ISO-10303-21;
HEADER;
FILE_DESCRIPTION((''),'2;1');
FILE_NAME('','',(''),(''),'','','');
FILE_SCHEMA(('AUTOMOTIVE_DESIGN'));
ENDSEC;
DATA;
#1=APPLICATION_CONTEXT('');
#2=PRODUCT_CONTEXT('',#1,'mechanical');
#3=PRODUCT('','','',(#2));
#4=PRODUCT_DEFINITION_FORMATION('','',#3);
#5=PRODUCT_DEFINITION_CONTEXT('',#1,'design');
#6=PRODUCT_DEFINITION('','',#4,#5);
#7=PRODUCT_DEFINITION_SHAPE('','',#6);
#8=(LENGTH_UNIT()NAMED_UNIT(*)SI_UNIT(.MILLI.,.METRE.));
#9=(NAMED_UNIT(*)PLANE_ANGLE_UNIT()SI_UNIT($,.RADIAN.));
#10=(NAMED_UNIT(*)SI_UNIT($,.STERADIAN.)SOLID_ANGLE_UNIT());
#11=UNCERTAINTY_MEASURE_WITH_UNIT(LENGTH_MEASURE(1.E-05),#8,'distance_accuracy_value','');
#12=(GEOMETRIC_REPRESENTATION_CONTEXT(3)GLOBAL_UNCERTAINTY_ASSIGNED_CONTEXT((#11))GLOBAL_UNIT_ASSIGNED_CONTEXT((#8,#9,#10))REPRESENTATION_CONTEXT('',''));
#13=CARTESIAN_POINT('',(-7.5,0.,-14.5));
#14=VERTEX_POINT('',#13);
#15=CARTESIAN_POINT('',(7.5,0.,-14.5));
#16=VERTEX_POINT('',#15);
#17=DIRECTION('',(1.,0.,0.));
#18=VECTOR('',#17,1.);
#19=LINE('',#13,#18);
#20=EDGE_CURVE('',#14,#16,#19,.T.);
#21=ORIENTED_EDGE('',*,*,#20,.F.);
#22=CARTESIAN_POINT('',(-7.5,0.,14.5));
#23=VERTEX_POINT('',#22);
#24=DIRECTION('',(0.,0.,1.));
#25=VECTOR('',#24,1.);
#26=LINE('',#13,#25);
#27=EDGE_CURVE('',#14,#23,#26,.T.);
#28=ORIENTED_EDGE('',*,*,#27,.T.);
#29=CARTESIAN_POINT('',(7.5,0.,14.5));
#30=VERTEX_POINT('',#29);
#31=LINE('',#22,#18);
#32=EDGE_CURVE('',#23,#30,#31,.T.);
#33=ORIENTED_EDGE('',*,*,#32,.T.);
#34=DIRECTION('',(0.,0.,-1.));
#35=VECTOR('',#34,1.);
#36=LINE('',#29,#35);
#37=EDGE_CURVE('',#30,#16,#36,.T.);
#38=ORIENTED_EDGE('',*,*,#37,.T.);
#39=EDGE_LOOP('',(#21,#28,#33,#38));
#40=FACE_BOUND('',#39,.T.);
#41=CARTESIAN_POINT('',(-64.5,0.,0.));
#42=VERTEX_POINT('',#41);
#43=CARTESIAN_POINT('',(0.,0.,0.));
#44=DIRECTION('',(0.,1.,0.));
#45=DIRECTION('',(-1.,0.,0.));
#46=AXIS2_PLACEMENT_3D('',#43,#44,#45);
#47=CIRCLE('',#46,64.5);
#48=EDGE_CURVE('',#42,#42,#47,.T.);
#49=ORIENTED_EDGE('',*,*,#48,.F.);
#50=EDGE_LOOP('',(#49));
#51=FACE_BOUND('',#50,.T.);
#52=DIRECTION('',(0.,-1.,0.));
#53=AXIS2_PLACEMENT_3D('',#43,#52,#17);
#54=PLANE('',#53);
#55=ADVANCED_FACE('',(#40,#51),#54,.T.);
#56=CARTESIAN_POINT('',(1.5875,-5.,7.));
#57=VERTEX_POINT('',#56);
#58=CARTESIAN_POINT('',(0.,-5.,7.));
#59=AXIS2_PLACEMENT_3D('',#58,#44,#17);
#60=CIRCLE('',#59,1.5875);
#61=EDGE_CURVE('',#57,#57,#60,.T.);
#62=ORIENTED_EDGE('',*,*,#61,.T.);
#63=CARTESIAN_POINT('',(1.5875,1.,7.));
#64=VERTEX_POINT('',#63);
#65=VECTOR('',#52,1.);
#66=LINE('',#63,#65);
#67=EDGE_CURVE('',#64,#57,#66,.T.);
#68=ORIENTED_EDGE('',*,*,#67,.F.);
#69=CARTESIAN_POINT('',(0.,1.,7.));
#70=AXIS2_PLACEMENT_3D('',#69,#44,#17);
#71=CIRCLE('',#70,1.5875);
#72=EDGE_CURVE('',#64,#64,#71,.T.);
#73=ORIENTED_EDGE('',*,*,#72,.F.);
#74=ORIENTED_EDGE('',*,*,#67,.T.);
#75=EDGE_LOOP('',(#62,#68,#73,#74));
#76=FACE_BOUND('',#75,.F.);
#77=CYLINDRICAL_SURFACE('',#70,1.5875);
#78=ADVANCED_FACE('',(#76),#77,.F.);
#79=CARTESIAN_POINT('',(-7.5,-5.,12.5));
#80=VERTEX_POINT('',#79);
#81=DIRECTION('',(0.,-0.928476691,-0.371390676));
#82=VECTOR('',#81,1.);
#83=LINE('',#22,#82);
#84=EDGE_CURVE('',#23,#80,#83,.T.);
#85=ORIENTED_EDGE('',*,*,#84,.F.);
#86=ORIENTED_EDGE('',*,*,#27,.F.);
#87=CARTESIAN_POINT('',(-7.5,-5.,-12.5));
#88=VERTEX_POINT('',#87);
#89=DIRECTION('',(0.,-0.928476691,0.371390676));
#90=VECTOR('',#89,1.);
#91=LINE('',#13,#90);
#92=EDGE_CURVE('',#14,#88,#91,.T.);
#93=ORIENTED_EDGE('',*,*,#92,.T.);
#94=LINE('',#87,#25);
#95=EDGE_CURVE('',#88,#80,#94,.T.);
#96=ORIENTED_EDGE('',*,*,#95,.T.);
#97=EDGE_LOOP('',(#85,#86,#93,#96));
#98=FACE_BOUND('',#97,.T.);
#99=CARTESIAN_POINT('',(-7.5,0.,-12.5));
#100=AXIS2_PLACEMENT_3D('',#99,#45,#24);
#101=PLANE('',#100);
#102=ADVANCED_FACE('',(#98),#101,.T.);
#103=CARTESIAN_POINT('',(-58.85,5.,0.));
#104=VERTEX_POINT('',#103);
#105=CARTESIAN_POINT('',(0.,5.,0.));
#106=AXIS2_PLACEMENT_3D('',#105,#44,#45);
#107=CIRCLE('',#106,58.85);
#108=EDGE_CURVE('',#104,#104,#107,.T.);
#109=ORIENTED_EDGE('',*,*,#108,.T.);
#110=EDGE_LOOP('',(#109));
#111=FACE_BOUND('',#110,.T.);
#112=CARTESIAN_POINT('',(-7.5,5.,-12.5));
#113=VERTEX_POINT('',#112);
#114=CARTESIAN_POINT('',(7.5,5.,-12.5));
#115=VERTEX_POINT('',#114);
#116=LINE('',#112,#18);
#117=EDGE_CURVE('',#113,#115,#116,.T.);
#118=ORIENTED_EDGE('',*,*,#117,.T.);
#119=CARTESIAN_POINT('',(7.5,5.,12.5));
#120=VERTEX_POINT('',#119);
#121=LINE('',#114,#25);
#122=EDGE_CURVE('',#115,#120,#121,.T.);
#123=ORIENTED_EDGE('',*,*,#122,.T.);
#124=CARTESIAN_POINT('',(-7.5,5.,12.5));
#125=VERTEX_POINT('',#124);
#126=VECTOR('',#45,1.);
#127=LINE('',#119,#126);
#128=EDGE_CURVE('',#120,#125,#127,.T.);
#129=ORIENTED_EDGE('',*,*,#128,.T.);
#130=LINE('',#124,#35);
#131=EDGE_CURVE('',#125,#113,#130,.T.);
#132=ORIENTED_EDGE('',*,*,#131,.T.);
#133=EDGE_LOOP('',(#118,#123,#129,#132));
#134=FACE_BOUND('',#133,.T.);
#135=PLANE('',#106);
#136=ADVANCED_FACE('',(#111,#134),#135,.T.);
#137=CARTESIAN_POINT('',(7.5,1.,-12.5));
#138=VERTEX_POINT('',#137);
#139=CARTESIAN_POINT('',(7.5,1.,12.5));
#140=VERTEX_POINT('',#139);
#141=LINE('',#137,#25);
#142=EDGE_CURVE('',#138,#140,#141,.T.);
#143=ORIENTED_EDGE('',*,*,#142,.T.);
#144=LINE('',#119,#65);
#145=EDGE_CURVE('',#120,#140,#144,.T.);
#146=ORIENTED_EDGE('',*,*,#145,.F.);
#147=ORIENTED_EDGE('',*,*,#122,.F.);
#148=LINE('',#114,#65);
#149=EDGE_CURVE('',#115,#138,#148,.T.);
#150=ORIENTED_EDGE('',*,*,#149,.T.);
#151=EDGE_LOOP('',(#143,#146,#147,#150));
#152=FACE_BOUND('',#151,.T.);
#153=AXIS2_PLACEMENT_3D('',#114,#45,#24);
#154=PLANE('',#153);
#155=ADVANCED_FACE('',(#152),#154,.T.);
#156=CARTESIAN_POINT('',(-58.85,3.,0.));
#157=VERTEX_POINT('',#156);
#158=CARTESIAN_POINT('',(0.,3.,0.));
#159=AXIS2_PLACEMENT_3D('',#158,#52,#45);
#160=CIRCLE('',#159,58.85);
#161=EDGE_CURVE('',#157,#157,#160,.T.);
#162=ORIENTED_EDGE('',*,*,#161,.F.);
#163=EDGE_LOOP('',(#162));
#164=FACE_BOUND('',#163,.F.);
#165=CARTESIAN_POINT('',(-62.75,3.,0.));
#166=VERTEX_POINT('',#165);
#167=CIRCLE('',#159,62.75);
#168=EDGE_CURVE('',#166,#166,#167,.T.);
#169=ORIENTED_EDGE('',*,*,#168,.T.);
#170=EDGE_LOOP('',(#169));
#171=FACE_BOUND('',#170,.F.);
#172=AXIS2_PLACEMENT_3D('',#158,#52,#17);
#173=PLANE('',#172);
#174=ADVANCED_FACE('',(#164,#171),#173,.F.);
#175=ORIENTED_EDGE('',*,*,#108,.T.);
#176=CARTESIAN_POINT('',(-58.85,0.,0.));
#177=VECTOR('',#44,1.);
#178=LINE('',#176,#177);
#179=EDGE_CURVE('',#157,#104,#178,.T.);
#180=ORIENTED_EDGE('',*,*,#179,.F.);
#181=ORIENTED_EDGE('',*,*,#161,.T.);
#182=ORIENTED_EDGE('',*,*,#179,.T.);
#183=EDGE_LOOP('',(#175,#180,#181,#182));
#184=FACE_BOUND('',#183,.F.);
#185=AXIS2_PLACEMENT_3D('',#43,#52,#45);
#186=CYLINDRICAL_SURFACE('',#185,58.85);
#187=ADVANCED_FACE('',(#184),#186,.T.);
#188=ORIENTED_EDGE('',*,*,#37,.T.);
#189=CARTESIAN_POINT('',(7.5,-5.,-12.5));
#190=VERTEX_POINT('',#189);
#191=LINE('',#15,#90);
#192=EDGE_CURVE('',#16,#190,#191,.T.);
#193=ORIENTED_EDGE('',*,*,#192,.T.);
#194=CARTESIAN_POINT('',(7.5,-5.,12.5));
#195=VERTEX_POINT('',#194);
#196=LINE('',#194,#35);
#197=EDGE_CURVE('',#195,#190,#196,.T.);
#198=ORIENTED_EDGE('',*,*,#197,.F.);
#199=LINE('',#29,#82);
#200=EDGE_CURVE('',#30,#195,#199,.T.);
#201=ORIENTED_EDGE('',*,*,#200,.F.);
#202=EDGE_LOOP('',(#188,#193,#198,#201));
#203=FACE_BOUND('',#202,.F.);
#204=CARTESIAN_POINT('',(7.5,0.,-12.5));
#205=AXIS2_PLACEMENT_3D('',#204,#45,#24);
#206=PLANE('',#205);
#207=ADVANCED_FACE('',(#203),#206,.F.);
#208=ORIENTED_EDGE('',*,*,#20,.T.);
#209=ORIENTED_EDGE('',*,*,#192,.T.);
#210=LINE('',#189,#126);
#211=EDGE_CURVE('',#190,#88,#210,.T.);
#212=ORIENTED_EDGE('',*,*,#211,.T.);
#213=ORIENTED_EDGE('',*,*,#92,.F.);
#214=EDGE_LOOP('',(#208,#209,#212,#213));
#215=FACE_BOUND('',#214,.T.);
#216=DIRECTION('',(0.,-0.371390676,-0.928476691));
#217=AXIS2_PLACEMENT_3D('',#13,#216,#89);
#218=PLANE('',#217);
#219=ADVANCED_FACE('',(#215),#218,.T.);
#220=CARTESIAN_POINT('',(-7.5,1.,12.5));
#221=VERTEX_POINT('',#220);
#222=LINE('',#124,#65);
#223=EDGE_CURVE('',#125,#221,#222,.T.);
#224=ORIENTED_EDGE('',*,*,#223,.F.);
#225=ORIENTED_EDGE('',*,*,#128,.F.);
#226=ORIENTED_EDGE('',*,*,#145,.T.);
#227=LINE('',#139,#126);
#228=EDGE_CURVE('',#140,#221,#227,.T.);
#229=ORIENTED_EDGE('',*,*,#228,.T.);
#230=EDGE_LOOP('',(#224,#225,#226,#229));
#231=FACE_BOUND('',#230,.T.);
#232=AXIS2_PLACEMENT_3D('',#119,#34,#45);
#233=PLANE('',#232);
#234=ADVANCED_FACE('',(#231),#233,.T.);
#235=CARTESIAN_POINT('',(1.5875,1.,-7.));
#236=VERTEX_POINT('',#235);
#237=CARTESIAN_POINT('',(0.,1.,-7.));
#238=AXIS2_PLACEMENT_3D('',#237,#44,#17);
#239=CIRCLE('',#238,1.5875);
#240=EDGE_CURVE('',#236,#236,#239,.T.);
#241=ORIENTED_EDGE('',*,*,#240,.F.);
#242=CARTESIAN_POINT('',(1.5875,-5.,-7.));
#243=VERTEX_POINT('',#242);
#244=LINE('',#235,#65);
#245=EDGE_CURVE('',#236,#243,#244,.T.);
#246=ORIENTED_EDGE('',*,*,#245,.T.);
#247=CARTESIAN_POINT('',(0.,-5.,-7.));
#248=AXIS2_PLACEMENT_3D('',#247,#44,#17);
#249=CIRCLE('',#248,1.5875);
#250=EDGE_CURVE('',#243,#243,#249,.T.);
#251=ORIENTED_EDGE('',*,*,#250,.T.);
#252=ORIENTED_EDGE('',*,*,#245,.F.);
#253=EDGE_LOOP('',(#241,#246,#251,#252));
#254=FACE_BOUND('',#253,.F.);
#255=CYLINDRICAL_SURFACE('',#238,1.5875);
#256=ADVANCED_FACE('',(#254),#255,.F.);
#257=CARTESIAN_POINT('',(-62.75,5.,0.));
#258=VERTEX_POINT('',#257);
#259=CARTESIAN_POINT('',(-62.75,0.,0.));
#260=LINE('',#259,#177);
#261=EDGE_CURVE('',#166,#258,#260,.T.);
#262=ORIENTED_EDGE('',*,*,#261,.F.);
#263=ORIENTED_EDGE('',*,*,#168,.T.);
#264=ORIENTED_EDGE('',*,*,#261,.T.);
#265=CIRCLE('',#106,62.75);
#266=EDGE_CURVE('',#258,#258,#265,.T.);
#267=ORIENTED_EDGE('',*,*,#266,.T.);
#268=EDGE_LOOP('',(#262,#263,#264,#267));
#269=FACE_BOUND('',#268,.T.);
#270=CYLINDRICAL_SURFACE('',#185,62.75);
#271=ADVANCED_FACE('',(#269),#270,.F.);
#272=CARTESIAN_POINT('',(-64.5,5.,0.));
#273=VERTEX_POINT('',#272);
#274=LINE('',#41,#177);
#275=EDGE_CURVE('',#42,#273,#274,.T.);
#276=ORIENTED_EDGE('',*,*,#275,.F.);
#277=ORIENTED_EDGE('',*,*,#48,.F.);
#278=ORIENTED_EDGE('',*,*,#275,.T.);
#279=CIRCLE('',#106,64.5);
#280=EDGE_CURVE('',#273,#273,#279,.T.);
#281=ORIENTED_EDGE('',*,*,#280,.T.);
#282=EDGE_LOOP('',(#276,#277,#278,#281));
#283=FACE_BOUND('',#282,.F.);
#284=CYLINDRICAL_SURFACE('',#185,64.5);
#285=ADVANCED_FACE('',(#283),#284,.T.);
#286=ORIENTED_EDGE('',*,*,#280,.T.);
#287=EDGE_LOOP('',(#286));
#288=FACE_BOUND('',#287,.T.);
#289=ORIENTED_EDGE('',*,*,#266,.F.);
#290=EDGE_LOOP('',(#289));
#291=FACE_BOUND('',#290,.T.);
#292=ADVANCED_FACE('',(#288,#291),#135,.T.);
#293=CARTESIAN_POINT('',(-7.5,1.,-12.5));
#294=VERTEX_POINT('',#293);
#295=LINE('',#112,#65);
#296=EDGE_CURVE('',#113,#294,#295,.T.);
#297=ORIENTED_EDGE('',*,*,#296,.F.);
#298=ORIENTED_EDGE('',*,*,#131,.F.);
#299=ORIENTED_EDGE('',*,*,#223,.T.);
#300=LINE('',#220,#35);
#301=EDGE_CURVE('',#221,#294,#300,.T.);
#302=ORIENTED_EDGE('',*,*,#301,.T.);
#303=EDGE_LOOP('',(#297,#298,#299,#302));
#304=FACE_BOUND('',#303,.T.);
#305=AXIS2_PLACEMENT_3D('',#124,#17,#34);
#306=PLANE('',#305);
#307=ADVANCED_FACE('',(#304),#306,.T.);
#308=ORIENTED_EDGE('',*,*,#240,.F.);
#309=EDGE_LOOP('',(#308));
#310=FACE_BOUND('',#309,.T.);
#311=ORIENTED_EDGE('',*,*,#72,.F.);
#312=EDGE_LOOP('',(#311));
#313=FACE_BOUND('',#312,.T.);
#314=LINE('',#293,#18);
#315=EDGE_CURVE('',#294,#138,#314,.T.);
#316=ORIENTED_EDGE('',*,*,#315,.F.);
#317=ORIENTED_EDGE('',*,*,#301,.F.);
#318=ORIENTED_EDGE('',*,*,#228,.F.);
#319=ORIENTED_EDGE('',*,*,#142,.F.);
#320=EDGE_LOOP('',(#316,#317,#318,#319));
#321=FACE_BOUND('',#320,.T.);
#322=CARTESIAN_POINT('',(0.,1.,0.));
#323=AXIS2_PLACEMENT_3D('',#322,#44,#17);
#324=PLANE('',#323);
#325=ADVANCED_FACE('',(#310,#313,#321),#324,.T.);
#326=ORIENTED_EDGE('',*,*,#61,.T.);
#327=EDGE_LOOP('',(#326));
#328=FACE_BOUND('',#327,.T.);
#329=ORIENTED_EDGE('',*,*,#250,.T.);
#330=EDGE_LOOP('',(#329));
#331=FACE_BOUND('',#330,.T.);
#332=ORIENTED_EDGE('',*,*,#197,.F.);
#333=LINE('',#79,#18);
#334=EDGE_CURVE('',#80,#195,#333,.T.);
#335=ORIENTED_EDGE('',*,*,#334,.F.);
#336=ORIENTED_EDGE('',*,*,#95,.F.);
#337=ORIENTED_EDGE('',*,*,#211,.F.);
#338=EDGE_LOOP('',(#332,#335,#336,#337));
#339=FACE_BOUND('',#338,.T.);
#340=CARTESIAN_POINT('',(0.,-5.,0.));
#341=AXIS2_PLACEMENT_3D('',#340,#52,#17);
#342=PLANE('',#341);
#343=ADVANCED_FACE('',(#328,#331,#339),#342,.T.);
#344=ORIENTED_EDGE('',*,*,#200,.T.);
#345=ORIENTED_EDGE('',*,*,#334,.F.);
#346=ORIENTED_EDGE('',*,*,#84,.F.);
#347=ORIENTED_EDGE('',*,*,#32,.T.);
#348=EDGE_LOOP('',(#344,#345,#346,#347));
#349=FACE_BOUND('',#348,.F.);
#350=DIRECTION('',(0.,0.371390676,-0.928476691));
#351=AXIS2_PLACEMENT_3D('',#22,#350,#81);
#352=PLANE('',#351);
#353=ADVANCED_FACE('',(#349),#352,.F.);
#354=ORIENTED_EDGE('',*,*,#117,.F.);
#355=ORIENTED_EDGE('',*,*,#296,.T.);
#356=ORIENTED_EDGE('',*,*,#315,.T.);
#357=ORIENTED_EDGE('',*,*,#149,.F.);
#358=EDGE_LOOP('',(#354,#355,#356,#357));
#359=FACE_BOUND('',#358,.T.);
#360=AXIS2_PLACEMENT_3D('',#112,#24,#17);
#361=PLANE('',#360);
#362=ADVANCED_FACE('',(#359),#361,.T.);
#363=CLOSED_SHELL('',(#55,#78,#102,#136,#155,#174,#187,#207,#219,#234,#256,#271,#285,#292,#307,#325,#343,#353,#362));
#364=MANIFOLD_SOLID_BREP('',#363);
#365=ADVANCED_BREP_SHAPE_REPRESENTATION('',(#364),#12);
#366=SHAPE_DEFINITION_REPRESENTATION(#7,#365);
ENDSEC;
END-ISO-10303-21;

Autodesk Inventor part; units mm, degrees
ref_plane "YZ Plane" through (0, 0, 0) normal (1, 0, 0) x (0, 1, 0)
ref_plane "XZ Plane" through (0, 0, 0) normal (0, 1, 0) x (-1, 0, 0)
ref_plane "XY Plane" through (0, 0, 0) normal (0, 0, 1) x (1, 0, 0)
sketch "Boceto1" plane through (0, 0, 0) normal (0, 1, 0) x (-1, 0, 0)
  circle A0 centre (0, 0) radius 62.75
  circle A1 centre (0, 0) radius 64.5
  circle A2 centre (0, 0) radius 58.85
  circle A3 centre (0, 0) radius 62.75
  circle A4 centre (0, 0) radius 58.85
  dimension "d0" = 125.5
  dimension "d1" = 129
  dimension "d2" = 117.7
extrude "Extrusión1" add sketch "Boceto1" along normal blind 5
sketch "Boceto3" plane through (0, 0, 0) normal (0, -1, 0) x (1, 0, 0)
  circle A0 centre (0, 0) radius 58.85
  circle A1 centre (0, 0) radius 62.75
extrude "Extrusión2" add sketch "Boceto3" against normal blind 3
sketch "Boceto4" plane through (0, 0, 0) normal (0, -1, 0) x (1, 0, 0)
  line L0 (-7.5, 12.5) -> (7.5, 12.5)
  line L1 (7.5, 12.5) -> (7.5, -12.5)
  line L2 (7.5, -12.5) -> (-7.5, -12.5)
  line L3 (-7.5, -12.5) -> (-7.5, 12.5)
  line L4 (-7.5, 12.5) -> (7.5, -12.5) construction
  line L5 (7.5, 12.5) -> (-7.5, -12.5) construction
  point P0 (0, 0)
  dimension "d7" = 15
  dimension "d8" = 25
extrude "Extrusión3" add sketch "Boceto4" along normal blind 5
sketch "Boceto5" plane through (-7.5, 0, -12.5) normal (-1, 0, 0) x (0, 0, 1)
  line L0 (0, -5) -> (25, -5) projected
  line L1 (25, -5) -> (25, 0)
  line L2 (25, 0) -> (27, 0)
  line L3 (77, 0) -> (-52, 0) projected
  line L4 (27, 0) -> (25, -5)
  line L5 (0, 0) -> (-2, 0)
  line L6 (-2, 0) -> (0, -5)
  line L7 (0, 0) -> (0, -5)
  point P0 (12.5, 0)
  dimension "d11" = 2
  dimension "d12" = 2
extrude "Extrusión4" add sketch "Boceto5" against normal blind 15 contours L6 L3 L7 | L1 L2 L4
sketch "Boceto9" plane through (0, 5, 0) normal (0, 1, 0) x (1, 0, 0)
  line L0 (-7.5, 12.5) -> (7.5, 12.5)
  line L1 (7.5, 12.5) -> (7.5, -12.5)
  line L2 (7.5, -12.5) -> (-7.5, -12.5)
  line L3 (-7.5, -12.5) -> (-7.5, 12.5)
  line L4 (-7.5, 12.5) -> (7.5, -12.5) construction
  line L5 (7.5, 12.5) -> (-7.5, -12.5) construction
  point P0 (0, 0)
  dimension "d15" = 25
  dimension "d16" = 15
extrude "Extrusión5" cut sketch "Boceto9" against normal blind 4
sketch "Boceto10" plane through (0, 1, 0) normal (0, 1, 0) x (1, 0, 0)
  circle A0 centre (0, -7) radius 1.5875
  circle A1 centre (0, 7) radius 1.5875
  point P0 (0, 0)
  dimension "d19" = 3.175
  dimension "d20" = 3.175
  dimension "d21" = 14
  dimension "d22" = 7
extrude "Extrusión6" cut sketch "Boceto10" against normal blind 6
properties part number "Base_Taza"
